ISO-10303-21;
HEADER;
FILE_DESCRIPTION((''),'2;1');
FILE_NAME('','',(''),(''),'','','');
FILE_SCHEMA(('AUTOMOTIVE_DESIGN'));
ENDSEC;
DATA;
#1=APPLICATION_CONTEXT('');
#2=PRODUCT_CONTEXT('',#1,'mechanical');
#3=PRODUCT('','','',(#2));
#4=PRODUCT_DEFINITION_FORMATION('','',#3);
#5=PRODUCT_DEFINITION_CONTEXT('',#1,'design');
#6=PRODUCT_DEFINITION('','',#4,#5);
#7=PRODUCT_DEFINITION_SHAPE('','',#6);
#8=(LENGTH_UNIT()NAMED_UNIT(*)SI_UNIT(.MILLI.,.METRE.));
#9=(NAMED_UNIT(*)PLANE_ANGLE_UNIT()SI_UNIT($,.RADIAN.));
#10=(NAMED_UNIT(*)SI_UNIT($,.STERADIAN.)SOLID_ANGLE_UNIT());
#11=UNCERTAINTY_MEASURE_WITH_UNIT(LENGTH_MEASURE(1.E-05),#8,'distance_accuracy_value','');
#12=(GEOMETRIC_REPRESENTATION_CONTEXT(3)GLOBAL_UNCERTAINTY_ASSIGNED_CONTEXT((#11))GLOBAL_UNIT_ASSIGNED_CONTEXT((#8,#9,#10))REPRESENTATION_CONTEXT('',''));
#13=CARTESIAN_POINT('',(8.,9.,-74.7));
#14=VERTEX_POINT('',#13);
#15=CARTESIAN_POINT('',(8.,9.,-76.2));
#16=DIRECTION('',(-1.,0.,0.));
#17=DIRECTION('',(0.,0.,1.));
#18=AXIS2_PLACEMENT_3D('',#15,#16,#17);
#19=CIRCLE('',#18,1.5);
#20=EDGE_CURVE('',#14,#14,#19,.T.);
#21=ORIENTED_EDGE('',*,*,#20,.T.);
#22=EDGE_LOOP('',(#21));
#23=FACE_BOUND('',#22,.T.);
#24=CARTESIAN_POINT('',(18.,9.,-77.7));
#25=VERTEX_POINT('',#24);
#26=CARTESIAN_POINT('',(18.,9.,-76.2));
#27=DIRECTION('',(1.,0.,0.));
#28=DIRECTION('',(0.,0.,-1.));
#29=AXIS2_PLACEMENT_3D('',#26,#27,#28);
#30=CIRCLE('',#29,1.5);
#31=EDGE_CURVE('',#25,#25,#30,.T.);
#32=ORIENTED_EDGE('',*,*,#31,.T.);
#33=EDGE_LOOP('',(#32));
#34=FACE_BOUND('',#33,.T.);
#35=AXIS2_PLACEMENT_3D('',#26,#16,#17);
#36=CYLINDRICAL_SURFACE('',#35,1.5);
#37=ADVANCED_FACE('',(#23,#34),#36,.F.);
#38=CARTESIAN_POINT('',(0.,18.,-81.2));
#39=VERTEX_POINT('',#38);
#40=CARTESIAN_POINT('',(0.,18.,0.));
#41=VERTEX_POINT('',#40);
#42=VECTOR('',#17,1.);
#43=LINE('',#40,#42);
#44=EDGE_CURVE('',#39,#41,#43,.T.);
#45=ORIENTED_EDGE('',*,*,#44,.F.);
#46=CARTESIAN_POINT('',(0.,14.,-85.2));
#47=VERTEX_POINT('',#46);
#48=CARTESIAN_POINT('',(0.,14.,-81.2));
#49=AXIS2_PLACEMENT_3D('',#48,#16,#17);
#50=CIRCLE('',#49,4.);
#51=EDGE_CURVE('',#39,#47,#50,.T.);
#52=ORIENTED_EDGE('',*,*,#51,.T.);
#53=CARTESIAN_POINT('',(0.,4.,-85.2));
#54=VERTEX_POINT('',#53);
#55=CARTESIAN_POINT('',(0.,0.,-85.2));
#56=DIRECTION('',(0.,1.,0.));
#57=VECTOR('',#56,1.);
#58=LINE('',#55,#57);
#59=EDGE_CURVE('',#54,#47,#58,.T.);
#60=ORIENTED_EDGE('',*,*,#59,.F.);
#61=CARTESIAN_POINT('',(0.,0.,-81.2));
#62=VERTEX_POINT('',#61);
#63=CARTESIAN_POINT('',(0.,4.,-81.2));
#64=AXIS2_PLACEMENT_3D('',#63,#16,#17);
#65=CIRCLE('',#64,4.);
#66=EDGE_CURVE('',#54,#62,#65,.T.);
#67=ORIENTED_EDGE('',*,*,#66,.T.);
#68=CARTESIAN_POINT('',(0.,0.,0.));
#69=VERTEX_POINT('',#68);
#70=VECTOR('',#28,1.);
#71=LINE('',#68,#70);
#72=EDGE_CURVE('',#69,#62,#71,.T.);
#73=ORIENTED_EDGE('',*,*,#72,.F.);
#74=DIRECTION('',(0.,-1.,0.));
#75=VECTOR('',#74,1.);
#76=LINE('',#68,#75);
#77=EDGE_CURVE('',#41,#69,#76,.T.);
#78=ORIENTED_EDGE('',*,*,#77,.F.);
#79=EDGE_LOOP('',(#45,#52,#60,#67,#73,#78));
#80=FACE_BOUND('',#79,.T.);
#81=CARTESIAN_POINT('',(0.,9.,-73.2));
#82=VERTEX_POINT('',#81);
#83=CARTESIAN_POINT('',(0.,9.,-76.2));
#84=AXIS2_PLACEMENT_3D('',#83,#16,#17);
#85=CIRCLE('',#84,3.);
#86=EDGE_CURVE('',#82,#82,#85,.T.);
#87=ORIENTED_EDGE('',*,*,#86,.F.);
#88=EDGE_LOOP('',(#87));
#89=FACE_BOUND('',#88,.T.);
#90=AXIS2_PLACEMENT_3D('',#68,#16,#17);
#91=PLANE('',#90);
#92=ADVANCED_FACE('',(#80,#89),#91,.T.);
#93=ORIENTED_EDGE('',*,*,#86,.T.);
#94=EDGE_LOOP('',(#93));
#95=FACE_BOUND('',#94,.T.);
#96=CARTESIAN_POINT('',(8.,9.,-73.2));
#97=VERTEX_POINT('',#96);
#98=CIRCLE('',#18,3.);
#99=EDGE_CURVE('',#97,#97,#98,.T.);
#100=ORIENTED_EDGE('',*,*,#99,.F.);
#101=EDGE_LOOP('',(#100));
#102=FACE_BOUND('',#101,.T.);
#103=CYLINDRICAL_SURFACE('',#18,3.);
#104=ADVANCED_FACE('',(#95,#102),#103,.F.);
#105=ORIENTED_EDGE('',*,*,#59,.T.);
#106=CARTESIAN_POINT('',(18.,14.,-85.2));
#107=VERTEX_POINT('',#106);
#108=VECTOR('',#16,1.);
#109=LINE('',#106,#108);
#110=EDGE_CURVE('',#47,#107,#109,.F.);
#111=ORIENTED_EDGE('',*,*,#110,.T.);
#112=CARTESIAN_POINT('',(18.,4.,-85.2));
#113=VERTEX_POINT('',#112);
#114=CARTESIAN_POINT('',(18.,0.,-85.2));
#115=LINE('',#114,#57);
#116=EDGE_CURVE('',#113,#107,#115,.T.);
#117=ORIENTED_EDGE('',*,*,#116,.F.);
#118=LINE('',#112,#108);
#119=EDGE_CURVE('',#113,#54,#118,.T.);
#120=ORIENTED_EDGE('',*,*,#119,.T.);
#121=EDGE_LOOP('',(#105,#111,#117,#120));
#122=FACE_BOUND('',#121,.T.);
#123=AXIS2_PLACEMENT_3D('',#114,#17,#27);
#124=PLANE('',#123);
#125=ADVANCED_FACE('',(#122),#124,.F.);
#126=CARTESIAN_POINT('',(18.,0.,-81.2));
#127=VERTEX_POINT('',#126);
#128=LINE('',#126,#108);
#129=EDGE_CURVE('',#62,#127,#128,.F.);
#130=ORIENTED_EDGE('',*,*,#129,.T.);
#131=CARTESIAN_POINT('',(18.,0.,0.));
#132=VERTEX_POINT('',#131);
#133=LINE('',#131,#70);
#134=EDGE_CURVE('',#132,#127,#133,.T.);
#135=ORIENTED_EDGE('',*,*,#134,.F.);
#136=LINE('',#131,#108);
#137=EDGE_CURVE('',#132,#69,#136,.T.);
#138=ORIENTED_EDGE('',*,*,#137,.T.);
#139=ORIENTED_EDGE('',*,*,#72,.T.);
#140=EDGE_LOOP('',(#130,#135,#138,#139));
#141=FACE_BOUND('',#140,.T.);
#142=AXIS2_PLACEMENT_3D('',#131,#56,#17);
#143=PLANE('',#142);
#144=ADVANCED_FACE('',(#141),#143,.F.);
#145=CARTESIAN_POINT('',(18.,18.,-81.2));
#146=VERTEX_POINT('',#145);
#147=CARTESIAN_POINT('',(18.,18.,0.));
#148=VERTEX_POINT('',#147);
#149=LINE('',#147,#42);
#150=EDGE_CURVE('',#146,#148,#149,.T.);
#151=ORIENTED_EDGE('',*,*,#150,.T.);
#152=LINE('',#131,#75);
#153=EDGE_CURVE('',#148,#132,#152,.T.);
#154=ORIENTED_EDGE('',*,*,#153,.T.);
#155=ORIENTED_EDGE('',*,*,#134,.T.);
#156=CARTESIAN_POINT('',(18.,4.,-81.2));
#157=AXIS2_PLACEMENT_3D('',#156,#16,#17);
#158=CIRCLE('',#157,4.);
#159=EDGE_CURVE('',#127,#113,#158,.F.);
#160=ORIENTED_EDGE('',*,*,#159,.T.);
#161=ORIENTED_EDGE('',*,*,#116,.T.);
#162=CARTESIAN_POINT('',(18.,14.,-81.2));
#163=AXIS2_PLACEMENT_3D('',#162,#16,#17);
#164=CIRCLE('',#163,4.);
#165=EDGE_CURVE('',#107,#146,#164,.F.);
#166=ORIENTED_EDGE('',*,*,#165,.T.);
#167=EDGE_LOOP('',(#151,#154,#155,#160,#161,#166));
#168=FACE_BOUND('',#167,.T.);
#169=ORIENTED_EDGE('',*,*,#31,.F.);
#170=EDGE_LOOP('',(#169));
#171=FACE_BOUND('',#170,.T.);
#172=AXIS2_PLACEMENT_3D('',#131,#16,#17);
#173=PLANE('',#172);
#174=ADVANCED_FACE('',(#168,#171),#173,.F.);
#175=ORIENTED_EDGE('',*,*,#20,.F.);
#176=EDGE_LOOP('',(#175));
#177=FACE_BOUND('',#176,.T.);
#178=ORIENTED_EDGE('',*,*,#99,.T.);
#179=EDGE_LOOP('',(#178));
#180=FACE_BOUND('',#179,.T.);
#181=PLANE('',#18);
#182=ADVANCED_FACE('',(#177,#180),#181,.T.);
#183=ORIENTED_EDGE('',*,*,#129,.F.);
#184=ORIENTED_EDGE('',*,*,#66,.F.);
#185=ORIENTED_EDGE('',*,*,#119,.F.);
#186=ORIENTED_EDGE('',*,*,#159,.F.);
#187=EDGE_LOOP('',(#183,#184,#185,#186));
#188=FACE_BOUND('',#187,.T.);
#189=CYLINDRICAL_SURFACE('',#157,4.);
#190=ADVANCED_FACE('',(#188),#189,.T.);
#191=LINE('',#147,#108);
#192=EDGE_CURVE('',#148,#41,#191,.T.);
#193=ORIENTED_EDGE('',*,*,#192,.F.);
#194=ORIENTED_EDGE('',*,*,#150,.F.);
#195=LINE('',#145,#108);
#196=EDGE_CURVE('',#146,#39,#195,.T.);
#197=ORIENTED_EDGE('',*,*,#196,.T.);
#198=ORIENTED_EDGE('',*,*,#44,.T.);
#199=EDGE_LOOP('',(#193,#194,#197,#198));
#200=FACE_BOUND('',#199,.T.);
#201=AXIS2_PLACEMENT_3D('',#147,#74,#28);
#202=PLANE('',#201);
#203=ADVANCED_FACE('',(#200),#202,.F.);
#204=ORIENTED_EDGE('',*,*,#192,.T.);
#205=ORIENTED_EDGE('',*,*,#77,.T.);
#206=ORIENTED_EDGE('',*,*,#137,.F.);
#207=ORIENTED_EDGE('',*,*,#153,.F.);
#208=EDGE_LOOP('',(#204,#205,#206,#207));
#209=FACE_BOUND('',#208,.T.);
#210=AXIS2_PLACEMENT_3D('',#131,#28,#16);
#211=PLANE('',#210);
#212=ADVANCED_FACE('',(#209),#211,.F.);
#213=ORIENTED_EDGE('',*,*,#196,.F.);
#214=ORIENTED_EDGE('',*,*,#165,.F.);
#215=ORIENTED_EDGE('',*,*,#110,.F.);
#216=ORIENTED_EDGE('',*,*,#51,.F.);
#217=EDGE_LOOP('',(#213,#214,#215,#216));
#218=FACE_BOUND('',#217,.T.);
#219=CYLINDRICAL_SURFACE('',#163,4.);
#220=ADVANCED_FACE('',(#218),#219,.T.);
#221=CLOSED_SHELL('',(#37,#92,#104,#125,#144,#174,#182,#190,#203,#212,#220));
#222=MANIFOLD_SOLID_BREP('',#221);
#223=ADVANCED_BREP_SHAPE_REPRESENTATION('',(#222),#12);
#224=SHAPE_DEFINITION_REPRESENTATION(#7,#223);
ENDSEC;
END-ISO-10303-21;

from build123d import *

# Parameters (mm, degrees)
SKETCH1_W           = 85.2
SKETCH1_H           = 18
SKETCH1_R           = 1.5
BOSS_EXTRUDE1_DEPTH = 18
SKETCH2_R           = 3
CUT_EXTRUDE1_DEPTH  = 8
FILLET1_R           = 4


with BuildPart() as part:
    # Sketch1 → Boss-Extrude1 (new body)
    with BuildSketch(Plane(origin=(0, 0, 0), x_dir=(0, 0, -1), z_dir=(1, 0, 0))):
        with Locations((42.6, 9)):
            Rectangle(SKETCH1_W, SKETCH1_H)
        with Locations((76.2, 9)):
            Circle(SKETCH1_R, mode=Mode.SUBTRACT)
    extrude(amount=BOSS_EXTRUDE1_DEPTH)

    # Sketch2 → Cut-Extrude1 (cut)
    with BuildSketch(Plane.ZY):
        with Locations((-76.2, 9)):
            Circle(SKETCH2_R)
    extrude(amount=-CUT_EXTRUDE1_DEPTH, mode=Mode.SUBTRACT)

    # Fillet1
    fillet1_edges = [part.edges().sort_by_distance(p)[0] for p in [
        (9, 18, -85.2),
        (9, 0, -85.2),
    ]]
    fillet(fillet1_edges, radius=FILLET1_R)


solid = part.part
